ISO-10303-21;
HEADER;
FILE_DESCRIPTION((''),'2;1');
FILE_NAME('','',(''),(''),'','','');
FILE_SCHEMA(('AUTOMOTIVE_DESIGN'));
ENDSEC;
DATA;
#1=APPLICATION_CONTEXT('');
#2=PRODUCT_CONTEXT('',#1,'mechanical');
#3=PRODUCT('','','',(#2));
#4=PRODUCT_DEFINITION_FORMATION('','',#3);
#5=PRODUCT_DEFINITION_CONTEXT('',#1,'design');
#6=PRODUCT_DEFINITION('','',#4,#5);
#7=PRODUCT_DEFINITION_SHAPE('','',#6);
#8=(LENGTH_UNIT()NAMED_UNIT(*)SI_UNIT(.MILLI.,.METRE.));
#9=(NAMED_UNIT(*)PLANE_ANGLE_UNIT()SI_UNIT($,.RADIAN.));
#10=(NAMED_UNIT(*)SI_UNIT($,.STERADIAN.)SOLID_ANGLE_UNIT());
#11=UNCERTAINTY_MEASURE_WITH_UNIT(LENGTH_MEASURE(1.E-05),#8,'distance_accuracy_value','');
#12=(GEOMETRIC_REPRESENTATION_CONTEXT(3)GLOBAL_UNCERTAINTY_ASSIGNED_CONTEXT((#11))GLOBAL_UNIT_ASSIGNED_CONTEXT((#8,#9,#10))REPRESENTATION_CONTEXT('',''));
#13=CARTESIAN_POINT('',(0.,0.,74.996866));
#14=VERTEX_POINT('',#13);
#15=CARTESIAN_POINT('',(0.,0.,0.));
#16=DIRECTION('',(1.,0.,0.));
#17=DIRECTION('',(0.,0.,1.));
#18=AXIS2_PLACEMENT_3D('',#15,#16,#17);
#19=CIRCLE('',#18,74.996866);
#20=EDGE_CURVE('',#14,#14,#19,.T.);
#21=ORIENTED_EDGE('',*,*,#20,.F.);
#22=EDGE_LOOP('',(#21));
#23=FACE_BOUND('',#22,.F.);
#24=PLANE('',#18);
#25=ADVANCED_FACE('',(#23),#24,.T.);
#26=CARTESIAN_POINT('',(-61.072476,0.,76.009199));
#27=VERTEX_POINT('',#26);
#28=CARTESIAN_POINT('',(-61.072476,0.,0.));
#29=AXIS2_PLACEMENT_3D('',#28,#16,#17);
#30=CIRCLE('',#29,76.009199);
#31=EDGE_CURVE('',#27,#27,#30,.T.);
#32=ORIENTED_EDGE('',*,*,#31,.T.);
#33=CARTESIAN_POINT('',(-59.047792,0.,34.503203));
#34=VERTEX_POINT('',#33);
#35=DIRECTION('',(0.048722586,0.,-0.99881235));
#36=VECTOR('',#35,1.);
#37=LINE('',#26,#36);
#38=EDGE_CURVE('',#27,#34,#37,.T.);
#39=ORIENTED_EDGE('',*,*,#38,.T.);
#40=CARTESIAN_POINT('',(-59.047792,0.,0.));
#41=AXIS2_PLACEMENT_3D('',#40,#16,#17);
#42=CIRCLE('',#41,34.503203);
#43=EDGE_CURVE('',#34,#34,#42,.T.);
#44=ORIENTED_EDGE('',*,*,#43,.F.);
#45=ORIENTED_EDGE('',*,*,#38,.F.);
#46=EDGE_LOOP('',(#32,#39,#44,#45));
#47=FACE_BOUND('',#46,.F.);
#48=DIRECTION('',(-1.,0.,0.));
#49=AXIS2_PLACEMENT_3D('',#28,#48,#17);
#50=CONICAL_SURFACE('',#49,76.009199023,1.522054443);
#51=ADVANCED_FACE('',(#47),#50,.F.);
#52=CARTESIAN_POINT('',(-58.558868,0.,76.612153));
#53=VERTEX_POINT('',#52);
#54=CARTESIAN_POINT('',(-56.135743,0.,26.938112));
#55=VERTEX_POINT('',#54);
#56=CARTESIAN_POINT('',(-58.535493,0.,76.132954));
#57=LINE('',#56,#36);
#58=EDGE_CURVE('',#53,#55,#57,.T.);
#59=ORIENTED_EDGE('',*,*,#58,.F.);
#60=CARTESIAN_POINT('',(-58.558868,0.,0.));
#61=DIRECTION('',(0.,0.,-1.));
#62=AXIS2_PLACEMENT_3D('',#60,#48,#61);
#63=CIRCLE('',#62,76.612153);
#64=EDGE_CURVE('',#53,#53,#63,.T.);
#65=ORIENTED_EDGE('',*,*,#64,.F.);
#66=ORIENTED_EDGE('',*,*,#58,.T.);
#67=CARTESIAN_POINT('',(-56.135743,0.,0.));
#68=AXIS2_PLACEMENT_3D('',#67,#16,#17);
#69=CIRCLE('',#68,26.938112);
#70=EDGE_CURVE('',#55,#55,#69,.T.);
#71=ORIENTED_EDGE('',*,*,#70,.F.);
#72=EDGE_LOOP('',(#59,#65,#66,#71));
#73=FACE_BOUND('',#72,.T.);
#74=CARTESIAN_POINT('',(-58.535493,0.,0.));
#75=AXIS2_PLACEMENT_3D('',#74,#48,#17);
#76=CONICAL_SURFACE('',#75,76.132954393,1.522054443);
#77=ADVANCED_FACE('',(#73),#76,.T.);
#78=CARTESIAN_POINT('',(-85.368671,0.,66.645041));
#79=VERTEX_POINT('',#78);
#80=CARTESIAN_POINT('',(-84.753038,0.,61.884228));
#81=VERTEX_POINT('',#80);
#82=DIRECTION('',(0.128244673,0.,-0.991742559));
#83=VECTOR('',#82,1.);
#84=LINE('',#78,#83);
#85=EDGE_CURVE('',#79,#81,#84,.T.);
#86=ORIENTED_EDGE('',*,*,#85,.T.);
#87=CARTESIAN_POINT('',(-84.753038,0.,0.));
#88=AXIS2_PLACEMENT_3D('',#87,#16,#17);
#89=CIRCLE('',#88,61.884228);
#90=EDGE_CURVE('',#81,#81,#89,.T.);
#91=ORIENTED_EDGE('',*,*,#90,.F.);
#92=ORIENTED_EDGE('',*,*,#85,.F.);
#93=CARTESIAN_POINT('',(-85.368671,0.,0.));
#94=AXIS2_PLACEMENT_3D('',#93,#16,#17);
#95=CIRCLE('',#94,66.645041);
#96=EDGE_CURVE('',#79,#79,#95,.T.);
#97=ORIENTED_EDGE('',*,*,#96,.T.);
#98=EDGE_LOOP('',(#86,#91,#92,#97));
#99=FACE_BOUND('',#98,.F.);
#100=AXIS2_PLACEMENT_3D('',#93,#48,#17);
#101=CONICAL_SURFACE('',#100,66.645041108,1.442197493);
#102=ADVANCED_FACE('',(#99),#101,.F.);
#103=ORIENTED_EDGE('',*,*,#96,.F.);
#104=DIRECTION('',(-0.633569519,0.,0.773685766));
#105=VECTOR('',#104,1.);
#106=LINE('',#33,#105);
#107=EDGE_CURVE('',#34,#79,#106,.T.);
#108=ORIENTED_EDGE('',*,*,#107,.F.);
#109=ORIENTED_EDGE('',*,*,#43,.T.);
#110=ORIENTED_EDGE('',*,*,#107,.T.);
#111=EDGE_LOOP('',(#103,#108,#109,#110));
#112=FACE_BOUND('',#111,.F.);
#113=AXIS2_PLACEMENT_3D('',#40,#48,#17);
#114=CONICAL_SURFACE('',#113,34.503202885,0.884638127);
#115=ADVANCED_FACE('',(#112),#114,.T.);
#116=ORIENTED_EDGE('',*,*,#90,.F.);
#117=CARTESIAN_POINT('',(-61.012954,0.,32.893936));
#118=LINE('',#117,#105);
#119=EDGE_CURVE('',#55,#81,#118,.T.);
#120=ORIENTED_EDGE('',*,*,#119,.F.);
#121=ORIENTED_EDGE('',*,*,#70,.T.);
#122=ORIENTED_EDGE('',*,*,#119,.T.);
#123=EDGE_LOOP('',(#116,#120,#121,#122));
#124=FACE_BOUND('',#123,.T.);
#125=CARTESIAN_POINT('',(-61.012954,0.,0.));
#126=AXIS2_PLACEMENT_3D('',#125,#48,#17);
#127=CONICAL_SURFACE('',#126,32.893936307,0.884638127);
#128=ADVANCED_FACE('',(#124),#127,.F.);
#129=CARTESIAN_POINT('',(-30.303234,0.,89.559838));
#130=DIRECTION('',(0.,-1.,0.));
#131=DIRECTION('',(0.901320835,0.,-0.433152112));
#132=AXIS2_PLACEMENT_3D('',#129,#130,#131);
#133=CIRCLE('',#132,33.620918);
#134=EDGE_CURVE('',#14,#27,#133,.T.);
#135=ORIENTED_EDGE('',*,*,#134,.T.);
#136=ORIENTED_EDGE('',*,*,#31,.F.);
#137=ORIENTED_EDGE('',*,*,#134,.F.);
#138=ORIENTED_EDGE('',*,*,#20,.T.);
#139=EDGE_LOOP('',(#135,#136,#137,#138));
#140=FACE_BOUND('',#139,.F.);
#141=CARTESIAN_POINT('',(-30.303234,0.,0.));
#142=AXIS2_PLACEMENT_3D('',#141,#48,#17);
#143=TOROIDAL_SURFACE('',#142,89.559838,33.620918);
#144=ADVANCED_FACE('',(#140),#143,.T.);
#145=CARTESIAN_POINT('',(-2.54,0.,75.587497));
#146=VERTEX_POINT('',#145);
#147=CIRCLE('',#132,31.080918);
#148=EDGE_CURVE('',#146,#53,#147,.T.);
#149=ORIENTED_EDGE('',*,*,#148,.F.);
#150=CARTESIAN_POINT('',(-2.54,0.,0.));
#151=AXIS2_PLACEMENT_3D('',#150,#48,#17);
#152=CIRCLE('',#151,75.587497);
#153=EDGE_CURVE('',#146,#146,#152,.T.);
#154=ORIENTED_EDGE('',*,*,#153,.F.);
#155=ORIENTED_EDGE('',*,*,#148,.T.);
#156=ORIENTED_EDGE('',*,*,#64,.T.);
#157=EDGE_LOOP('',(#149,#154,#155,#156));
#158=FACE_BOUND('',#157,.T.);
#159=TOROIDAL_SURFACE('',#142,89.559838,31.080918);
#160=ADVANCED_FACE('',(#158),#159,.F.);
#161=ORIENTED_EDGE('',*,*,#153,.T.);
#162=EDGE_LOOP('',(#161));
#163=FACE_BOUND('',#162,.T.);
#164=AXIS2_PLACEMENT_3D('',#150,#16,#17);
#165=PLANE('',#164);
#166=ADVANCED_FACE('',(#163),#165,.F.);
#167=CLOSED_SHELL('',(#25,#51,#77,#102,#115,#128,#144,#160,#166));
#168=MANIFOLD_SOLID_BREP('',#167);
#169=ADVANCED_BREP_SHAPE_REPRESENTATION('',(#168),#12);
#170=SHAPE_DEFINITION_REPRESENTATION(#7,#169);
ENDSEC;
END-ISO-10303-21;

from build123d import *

# Parameters (mm, degrees)
F2_T = -2.54


with BuildPart() as f1:
    # F0 (on Front) → F1 (revolve)
    with BuildSketch(Plane.XZ):
        with BuildLine():
            Line((-76.7506361008, 0), (-1.6036669258, 0))
            Line((-1.6036669258, 0), (0, 0))
            Line((0, 0), (0, 74.9968662858))
            ThreePointArc((0, 74.9968662858), (-29.7460123313, 123.1761374752), (-61.0724762082, 76.0091990232))
            Line((-61.0724762082, 76.0091990232), (-59.0477921069, 34.5032028854))
            Line((-59.0477921069, 34.5032028854), (-85.3686705232, 66.6450411081))
            Line((-85.3686705232, 66.6450411081), (-76.7506361008, 0))
        make_face()
    revolve(axis=Axis((-38.3753180504, 0, 0), (1, 0, 0)))

    # F2
    f2_openings = [f1.faces().sort_by_distance(p)[0] for p in [
        (-81.059653, 0, -33.322521),
    ]]
    offset(amount=F2_T, openings=f2_openings, kind=Kind.INTERSECTION)


solid = f1.part
